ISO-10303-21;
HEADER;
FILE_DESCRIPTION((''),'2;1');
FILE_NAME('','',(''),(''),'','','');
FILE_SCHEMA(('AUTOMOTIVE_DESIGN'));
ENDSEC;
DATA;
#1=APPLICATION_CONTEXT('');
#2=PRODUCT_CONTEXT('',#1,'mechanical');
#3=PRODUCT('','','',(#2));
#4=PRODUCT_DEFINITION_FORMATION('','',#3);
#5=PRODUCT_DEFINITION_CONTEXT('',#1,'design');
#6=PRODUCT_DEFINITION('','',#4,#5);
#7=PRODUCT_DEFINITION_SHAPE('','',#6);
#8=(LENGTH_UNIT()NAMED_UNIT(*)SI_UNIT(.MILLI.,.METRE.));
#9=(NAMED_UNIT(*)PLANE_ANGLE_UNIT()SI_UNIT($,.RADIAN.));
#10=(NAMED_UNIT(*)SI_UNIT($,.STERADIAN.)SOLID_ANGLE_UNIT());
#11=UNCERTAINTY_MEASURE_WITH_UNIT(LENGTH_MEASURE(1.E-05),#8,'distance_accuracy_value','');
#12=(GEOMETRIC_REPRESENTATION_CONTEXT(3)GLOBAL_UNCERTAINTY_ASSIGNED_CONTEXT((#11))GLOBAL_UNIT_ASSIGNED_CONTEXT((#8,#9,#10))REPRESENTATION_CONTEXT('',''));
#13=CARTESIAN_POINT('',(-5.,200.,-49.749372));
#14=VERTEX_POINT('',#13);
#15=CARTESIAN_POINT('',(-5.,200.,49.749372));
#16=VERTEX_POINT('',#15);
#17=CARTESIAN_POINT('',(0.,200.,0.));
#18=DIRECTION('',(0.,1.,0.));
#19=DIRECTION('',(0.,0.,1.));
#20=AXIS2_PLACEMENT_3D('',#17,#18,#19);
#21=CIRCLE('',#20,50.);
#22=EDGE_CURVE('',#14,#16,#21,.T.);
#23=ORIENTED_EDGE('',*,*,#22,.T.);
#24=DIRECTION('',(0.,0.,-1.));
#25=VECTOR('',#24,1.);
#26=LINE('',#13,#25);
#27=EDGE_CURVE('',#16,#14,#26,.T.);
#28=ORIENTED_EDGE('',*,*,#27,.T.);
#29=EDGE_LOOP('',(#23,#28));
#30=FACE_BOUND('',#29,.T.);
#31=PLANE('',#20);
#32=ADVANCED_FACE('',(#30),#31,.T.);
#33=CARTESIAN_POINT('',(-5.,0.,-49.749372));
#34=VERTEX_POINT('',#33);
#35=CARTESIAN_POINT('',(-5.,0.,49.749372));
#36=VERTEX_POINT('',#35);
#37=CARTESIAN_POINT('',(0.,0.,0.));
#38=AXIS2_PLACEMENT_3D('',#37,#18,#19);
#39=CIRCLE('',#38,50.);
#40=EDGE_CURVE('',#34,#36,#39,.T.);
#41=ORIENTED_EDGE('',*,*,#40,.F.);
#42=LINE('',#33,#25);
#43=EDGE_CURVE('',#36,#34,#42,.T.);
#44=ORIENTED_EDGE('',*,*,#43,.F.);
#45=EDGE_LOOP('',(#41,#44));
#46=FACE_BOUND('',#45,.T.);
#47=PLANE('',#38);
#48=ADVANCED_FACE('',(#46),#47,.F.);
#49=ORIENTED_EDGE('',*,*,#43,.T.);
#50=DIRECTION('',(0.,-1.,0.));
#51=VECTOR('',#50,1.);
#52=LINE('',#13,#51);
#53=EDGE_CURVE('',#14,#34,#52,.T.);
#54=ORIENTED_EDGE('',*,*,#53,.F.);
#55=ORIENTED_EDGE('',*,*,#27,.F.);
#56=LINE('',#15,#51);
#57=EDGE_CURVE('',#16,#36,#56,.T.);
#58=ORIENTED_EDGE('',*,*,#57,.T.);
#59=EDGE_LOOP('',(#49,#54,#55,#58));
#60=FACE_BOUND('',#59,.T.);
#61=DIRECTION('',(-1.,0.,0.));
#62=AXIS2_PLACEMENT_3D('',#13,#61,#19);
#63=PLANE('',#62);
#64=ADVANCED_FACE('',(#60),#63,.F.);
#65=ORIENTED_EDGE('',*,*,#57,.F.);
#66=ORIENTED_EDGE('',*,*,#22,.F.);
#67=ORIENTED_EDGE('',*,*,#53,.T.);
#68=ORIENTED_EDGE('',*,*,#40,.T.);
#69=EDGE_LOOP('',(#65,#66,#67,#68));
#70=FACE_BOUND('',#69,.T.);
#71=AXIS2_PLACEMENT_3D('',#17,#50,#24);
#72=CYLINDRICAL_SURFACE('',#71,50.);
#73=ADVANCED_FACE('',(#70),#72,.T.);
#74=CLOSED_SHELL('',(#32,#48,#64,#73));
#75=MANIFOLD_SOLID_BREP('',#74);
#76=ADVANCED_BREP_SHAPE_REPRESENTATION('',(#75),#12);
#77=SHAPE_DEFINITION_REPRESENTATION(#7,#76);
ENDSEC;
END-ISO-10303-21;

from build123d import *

# Parameters (mm, degrees)
BOSS_EXTRUDE1_DEPTH = 200


with BuildPart() as part:
    # Sketch1 → Boss-Extrude1 (new body)
    with BuildSketch(Plane(origin=(0, 0, 0), x_dir=(1, 0, 0), z_dir=(0, 1, 0))):
        with BuildLine():
            Line((-5, 49.749371855), (-5, -49.749371855))
            ThreePointArc((-5, -49.749371855), (-50, 0), (-5, 49.749371855))
        make_face()
    extrude(amount=BOSS_EXTRUDE1_DEPTH)


solid = part.part
